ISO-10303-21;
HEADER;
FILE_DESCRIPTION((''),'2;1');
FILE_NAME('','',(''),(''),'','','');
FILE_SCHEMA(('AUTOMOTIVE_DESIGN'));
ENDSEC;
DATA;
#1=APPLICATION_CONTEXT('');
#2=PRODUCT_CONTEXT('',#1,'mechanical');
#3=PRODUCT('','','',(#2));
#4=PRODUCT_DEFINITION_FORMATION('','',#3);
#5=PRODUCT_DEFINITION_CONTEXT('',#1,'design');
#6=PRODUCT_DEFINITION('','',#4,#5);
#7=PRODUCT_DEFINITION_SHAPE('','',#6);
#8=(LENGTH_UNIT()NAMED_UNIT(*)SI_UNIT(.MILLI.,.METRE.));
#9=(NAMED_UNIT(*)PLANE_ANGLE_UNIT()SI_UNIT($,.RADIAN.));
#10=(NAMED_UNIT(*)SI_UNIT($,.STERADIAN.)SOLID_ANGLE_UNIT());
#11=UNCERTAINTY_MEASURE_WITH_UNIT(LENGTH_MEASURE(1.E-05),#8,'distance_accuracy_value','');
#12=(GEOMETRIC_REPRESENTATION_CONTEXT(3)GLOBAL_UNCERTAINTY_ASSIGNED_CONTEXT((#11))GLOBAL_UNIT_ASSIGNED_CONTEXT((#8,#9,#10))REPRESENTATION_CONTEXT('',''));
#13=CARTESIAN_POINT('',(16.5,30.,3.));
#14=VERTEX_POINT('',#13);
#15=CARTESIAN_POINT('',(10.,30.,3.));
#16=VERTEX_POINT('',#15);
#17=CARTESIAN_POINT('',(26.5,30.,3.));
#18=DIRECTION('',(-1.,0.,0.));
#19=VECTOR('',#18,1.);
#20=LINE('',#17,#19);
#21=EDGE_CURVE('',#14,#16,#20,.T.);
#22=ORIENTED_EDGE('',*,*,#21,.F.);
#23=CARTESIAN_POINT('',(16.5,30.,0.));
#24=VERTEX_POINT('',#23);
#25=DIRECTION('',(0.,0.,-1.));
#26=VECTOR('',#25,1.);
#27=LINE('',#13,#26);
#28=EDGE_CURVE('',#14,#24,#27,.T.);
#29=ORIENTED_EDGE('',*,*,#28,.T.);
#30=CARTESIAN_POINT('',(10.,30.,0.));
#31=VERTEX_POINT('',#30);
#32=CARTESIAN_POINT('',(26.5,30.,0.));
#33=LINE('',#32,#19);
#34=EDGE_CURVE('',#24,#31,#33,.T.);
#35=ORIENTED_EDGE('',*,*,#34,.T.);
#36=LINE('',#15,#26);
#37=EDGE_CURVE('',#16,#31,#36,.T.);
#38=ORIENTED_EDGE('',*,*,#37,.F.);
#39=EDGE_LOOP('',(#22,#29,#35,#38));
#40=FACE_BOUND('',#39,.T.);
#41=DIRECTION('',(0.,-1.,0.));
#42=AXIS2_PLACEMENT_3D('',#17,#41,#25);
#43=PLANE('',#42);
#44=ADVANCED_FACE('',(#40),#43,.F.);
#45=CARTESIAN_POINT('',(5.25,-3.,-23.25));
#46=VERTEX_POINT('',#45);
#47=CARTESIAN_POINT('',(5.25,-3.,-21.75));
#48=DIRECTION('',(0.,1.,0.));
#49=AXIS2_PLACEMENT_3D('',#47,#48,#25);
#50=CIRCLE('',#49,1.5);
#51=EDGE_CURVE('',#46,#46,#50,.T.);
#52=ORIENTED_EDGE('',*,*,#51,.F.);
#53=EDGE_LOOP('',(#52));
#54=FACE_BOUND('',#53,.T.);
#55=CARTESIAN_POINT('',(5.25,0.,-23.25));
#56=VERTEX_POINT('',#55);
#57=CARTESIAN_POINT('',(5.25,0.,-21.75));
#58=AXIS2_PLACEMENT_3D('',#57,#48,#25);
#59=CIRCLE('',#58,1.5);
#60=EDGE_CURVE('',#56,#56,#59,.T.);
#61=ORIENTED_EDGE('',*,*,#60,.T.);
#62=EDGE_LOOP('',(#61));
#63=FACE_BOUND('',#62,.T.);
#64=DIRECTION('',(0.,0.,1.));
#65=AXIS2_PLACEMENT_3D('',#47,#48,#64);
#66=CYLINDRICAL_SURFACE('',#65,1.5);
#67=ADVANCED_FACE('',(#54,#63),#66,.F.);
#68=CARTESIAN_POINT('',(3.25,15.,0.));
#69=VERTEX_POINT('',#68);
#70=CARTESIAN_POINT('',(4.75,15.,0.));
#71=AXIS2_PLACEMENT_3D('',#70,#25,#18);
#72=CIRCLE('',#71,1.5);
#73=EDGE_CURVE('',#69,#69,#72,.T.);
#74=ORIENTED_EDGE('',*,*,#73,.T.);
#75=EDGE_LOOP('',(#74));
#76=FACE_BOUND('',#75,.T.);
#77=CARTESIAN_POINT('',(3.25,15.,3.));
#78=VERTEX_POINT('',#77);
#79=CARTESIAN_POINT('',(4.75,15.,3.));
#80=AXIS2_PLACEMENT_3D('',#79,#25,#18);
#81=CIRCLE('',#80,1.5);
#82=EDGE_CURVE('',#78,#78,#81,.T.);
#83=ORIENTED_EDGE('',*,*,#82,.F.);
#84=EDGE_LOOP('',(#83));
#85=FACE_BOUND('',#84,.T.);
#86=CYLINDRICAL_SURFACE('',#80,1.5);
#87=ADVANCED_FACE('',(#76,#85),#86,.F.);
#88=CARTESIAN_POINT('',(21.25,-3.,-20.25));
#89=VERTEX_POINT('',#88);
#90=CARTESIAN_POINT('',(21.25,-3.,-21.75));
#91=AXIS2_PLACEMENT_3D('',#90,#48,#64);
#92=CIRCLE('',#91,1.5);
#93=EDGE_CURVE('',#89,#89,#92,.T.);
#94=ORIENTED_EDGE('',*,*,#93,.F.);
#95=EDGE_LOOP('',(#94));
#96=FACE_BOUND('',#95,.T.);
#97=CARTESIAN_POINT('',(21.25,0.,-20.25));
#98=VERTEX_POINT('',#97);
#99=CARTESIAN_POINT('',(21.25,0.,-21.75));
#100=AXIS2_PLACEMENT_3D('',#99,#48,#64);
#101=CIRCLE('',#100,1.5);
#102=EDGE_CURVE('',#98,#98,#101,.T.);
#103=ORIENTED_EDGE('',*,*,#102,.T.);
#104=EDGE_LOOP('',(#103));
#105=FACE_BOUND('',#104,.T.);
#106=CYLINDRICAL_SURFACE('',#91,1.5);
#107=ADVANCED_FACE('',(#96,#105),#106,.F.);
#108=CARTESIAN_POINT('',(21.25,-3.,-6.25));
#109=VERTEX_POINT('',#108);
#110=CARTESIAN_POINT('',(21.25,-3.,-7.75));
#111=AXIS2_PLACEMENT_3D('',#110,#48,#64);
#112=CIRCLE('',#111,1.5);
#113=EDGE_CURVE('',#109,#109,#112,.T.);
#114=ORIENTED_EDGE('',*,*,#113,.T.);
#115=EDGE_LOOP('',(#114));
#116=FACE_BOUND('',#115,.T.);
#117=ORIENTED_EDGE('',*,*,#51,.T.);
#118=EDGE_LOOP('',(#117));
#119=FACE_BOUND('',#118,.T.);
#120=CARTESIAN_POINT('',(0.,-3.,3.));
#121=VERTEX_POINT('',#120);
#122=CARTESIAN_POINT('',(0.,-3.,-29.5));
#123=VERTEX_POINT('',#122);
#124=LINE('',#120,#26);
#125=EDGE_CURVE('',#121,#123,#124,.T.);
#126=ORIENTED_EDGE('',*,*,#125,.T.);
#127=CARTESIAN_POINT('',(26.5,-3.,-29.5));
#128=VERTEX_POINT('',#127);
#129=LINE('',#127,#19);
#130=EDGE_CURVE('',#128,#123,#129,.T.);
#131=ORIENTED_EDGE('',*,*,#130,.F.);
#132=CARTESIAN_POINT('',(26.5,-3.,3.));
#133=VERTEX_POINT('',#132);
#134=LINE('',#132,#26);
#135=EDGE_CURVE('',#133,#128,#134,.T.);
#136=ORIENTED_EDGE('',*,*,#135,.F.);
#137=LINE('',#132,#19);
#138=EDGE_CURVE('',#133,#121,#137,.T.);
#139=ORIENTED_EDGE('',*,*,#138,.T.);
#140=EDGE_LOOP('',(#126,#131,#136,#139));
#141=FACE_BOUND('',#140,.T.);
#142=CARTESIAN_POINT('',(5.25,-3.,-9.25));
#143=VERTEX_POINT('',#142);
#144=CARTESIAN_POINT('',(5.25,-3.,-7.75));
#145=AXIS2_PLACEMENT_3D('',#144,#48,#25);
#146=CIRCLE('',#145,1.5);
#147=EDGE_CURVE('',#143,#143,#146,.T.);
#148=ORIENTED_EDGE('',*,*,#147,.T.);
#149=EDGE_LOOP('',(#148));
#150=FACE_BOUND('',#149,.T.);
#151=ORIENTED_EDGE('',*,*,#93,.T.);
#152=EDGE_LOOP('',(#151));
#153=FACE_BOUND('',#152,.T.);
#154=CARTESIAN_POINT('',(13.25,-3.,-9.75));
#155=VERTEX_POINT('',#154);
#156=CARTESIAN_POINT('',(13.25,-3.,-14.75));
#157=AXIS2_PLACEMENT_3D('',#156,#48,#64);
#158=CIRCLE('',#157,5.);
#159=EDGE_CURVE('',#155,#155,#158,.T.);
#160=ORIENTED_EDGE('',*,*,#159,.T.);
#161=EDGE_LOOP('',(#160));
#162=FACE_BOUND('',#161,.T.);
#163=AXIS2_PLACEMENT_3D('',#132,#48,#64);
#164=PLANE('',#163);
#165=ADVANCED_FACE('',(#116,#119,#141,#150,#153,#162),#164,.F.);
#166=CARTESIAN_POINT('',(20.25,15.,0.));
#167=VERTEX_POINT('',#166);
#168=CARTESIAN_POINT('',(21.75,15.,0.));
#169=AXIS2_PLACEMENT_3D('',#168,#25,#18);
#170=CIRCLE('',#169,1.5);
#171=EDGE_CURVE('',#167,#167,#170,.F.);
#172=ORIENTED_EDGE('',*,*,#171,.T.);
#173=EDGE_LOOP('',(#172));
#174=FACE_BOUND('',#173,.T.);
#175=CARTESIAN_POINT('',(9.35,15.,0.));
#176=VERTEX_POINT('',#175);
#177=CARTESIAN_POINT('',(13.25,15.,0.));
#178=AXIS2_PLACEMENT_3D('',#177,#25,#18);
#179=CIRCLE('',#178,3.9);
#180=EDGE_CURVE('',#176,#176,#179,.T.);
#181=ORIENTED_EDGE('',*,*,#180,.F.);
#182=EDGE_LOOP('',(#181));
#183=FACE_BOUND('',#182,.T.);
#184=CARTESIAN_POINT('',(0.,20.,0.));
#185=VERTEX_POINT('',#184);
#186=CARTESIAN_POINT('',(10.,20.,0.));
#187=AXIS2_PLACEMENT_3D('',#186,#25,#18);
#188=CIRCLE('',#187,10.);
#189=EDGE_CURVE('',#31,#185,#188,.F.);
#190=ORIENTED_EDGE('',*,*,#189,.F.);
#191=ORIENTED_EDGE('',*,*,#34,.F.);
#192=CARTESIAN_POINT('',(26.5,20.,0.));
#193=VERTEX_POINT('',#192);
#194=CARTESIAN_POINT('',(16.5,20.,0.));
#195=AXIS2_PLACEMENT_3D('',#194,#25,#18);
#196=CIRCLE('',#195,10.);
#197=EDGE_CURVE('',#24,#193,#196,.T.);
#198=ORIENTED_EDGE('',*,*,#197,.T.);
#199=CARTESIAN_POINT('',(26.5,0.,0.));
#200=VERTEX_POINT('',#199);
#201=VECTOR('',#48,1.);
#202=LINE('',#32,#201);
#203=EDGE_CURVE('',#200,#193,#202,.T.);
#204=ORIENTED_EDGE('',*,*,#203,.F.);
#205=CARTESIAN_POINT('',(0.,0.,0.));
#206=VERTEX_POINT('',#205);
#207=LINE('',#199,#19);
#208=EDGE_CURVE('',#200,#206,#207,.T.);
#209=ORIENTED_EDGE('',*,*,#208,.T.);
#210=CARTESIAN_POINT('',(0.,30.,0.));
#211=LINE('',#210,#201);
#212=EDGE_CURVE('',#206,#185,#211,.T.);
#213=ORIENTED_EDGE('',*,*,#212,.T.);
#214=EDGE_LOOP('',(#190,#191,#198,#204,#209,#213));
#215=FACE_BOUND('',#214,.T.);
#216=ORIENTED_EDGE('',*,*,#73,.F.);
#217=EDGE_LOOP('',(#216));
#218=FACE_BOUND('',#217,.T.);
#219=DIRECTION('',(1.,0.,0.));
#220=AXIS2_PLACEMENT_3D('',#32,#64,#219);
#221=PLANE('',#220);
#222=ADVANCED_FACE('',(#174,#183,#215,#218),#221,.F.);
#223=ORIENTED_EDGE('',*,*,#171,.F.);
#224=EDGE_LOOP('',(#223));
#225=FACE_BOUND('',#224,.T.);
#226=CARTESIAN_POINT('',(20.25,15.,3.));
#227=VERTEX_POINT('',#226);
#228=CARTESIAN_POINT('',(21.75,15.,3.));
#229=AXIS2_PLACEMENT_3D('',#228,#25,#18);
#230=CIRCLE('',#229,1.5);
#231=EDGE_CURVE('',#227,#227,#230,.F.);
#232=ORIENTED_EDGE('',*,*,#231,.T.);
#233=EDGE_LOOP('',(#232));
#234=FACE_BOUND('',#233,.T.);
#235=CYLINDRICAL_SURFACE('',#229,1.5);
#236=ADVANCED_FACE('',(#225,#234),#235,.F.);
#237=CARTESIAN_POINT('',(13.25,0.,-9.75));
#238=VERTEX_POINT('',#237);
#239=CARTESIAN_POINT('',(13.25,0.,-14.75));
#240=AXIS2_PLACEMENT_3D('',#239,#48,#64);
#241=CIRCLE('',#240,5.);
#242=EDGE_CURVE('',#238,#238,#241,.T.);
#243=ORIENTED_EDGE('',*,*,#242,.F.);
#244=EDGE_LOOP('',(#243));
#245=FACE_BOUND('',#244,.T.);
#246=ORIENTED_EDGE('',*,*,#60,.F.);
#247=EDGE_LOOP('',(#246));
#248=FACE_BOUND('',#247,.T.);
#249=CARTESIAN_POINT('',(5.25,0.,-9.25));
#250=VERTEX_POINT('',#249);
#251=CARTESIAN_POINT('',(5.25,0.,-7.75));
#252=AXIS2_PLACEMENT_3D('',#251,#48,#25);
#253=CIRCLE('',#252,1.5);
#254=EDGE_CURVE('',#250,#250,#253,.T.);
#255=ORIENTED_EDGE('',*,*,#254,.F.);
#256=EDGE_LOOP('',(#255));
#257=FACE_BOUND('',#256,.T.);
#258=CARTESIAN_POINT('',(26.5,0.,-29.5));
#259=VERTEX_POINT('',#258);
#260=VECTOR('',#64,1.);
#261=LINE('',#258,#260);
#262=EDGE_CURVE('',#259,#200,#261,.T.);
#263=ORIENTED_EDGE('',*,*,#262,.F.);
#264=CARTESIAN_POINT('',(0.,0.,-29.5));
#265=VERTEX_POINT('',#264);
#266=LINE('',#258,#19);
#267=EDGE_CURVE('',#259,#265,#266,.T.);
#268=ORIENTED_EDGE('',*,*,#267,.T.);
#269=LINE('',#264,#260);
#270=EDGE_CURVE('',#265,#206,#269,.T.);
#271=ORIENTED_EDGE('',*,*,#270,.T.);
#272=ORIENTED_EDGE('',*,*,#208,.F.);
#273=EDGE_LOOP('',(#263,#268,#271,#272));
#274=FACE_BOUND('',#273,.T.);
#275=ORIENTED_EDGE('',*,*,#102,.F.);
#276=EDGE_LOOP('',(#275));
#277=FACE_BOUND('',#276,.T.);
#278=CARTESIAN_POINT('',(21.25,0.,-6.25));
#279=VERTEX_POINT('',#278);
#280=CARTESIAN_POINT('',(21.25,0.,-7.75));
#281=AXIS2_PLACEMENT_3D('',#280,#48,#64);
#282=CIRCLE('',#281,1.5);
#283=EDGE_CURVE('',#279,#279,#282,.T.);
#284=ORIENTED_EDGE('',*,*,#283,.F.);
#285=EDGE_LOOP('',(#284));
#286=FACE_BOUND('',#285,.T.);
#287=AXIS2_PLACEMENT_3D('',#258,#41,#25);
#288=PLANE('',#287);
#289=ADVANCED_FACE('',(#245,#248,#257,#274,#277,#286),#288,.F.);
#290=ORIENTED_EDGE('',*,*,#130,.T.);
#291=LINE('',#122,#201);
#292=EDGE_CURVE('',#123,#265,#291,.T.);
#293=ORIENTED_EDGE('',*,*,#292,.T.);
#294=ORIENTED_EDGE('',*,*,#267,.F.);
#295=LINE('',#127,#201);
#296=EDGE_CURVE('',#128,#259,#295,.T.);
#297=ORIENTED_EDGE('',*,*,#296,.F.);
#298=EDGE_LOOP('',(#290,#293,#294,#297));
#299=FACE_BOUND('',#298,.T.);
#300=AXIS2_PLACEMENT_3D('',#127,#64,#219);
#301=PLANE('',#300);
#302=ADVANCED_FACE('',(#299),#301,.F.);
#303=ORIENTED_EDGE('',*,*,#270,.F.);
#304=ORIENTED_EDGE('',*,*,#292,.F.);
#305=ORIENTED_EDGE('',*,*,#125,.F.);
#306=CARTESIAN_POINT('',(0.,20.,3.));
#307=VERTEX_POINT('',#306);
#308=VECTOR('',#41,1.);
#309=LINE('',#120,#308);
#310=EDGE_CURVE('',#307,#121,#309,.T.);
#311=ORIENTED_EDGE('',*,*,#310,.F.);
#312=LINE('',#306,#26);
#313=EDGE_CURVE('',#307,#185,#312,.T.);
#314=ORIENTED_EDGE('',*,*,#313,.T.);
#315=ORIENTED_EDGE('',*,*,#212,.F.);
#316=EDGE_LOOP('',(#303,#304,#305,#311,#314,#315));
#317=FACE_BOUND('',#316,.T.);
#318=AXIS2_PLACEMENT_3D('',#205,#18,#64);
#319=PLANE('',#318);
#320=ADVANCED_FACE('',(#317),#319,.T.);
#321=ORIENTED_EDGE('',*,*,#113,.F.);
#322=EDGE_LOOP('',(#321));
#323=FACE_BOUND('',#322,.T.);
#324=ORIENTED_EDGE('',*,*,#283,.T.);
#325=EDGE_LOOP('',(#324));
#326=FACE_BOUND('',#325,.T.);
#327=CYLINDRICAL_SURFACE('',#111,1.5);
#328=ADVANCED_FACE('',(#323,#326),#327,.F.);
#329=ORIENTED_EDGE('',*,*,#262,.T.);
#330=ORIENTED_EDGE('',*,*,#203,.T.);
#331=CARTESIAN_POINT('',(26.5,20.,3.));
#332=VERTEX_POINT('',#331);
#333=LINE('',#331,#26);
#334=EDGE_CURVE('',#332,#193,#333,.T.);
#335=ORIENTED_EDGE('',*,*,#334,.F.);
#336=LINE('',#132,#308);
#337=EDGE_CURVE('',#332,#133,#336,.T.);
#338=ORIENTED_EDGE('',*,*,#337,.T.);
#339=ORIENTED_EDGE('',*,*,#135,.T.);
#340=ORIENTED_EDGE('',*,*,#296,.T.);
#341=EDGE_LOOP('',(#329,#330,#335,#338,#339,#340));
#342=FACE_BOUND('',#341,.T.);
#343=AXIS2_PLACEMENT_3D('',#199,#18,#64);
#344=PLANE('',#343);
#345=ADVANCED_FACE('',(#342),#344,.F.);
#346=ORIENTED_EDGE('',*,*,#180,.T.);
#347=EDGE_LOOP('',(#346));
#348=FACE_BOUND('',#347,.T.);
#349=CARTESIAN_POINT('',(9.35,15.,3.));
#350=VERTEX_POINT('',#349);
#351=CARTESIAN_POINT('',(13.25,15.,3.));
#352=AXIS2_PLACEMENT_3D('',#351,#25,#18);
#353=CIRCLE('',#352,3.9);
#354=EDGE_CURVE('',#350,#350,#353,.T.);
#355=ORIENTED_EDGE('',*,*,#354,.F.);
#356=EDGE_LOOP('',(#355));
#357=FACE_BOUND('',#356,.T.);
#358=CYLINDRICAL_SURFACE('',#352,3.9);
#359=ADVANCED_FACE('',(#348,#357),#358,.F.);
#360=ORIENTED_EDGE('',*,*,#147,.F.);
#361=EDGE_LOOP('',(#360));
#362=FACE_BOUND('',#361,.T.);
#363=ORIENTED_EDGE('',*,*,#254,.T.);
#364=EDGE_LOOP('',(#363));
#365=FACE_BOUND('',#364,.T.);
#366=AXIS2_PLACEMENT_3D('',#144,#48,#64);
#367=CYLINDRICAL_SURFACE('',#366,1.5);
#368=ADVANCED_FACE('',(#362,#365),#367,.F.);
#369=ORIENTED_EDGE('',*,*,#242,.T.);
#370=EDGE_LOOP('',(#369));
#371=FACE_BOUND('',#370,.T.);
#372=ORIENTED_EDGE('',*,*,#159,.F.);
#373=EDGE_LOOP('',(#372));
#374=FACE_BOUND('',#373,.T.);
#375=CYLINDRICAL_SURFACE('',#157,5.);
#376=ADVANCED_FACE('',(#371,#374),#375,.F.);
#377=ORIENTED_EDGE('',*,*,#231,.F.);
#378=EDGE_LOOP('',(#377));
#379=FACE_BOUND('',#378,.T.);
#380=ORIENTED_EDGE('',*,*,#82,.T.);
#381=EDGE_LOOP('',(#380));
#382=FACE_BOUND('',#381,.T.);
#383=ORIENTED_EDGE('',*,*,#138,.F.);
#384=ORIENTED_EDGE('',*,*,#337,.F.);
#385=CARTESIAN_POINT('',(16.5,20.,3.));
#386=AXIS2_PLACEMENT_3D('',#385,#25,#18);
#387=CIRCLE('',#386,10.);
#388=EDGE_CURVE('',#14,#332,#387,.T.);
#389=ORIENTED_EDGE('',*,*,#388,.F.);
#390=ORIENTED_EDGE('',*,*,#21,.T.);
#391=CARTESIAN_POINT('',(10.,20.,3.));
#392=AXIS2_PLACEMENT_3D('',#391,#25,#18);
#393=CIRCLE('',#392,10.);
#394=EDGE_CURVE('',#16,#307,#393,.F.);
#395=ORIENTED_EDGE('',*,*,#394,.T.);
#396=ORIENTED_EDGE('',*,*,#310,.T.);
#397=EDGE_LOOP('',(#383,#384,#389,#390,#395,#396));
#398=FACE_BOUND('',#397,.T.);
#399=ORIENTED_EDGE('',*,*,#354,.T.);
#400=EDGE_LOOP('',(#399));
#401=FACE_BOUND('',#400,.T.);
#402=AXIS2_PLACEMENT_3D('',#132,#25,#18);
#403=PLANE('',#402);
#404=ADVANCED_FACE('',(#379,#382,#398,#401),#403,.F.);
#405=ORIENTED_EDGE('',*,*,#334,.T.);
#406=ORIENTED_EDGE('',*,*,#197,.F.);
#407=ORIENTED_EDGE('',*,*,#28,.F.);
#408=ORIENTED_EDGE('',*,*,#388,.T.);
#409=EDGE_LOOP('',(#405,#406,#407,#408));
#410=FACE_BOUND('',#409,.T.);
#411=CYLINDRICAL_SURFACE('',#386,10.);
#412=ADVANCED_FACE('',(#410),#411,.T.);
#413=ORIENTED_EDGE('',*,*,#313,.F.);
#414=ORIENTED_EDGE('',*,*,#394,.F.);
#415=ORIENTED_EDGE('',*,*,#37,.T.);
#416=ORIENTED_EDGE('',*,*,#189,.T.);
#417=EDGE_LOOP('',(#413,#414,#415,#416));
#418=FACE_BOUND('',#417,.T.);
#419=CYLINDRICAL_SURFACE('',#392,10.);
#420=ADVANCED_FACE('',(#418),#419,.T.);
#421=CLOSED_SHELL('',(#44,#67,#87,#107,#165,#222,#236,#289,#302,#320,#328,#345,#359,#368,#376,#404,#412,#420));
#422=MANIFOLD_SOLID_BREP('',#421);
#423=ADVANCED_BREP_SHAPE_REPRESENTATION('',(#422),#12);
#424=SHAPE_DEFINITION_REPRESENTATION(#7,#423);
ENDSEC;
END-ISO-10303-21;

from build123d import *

# Parameters (mm, degrees)
BOSS_EXTRUDE1_DEPTH = 26.5
SKETCH2_R           = 3.9
SKETCH2_R_2         = 1.5
CUT_EXTRUDE1_DEPTH  = 4
SKETCH3_R           = 5
SKETCH3_R_2         = 1.5
CUT_EXTRUDE2_DEPTH  = 4


with BuildPart() as part:
    # Sketch1 → Boss-Extrude1 (new body)
    with BuildSketch(Plane(origin=(0, 0, 0), x_dir=(0, 0, -1), z_dir=(1, 0, 0))):
        Polygon((-3, -3), (29.5, -3), (29.5, 0), (0, 0), (0, 30), (-3, 30), align=None)
    extrude(amount=BOSS_EXTRUDE1_DEPTH)

    # Sketch2 → Cut-Extrude1 (cut, through all)
    with BuildSketch(Plane(origin=(0, 0, 0), x_dir=(-1, 0, 0), z_dir=(0, 0, -1))):
        with Locations((-13.25, 15)):
            Circle(SKETCH2_R)
        with Locations((-4.75, 15)):
            Circle(SKETCH2_R_2)
        with Locations((-21.75, 15)):
            Circle(SKETCH2_R_2)
        with BuildLine():
            ThreePointArc((-26.5, 20), (-23.571067812, 27.071067812), (-16.5, 30))
            Line((-16.5, 30), (-26.5, 30))
            Line((-26.5, 30), (-26.5, 20))
        make_face()
        with BuildLine():
            Line((0, 30), (-10, 30))
            ThreePointArc((-10, 30), (-2.928932188, 27.071067812), (0, 20))
            Line((0, 20), (0, 30))
        make_face()
    extrude(amount=-CUT_EXTRUDE1_DEPTH, mode=Mode.SUBTRACT)

    # Sketch3 → Cut-Extrude2 (cut, through all)
    with BuildSketch(Plane(origin=(0, 0, 0), x_dir=(1, 0, 0), z_dir=(0, 1, 0))):
        with Locations((13.25, 14.75)):
            Circle(SKETCH3_R)
        with Locations((21.25, 21.75)):
            Circle(SKETCH3_R_2)
        with Locations((21.25, 7.75)):
            Circle(SKETCH3_R_2)
        with Locations((5.25, 21.75)):
            Circle(SKETCH3_R_2)
        with Locations((5.25, 7.75)):
            Circle(SKETCH3_R_2)
    extrude(amount=-CUT_EXTRUDE2_DEPTH, mode=Mode.SUBTRACT)


solid = part.part
